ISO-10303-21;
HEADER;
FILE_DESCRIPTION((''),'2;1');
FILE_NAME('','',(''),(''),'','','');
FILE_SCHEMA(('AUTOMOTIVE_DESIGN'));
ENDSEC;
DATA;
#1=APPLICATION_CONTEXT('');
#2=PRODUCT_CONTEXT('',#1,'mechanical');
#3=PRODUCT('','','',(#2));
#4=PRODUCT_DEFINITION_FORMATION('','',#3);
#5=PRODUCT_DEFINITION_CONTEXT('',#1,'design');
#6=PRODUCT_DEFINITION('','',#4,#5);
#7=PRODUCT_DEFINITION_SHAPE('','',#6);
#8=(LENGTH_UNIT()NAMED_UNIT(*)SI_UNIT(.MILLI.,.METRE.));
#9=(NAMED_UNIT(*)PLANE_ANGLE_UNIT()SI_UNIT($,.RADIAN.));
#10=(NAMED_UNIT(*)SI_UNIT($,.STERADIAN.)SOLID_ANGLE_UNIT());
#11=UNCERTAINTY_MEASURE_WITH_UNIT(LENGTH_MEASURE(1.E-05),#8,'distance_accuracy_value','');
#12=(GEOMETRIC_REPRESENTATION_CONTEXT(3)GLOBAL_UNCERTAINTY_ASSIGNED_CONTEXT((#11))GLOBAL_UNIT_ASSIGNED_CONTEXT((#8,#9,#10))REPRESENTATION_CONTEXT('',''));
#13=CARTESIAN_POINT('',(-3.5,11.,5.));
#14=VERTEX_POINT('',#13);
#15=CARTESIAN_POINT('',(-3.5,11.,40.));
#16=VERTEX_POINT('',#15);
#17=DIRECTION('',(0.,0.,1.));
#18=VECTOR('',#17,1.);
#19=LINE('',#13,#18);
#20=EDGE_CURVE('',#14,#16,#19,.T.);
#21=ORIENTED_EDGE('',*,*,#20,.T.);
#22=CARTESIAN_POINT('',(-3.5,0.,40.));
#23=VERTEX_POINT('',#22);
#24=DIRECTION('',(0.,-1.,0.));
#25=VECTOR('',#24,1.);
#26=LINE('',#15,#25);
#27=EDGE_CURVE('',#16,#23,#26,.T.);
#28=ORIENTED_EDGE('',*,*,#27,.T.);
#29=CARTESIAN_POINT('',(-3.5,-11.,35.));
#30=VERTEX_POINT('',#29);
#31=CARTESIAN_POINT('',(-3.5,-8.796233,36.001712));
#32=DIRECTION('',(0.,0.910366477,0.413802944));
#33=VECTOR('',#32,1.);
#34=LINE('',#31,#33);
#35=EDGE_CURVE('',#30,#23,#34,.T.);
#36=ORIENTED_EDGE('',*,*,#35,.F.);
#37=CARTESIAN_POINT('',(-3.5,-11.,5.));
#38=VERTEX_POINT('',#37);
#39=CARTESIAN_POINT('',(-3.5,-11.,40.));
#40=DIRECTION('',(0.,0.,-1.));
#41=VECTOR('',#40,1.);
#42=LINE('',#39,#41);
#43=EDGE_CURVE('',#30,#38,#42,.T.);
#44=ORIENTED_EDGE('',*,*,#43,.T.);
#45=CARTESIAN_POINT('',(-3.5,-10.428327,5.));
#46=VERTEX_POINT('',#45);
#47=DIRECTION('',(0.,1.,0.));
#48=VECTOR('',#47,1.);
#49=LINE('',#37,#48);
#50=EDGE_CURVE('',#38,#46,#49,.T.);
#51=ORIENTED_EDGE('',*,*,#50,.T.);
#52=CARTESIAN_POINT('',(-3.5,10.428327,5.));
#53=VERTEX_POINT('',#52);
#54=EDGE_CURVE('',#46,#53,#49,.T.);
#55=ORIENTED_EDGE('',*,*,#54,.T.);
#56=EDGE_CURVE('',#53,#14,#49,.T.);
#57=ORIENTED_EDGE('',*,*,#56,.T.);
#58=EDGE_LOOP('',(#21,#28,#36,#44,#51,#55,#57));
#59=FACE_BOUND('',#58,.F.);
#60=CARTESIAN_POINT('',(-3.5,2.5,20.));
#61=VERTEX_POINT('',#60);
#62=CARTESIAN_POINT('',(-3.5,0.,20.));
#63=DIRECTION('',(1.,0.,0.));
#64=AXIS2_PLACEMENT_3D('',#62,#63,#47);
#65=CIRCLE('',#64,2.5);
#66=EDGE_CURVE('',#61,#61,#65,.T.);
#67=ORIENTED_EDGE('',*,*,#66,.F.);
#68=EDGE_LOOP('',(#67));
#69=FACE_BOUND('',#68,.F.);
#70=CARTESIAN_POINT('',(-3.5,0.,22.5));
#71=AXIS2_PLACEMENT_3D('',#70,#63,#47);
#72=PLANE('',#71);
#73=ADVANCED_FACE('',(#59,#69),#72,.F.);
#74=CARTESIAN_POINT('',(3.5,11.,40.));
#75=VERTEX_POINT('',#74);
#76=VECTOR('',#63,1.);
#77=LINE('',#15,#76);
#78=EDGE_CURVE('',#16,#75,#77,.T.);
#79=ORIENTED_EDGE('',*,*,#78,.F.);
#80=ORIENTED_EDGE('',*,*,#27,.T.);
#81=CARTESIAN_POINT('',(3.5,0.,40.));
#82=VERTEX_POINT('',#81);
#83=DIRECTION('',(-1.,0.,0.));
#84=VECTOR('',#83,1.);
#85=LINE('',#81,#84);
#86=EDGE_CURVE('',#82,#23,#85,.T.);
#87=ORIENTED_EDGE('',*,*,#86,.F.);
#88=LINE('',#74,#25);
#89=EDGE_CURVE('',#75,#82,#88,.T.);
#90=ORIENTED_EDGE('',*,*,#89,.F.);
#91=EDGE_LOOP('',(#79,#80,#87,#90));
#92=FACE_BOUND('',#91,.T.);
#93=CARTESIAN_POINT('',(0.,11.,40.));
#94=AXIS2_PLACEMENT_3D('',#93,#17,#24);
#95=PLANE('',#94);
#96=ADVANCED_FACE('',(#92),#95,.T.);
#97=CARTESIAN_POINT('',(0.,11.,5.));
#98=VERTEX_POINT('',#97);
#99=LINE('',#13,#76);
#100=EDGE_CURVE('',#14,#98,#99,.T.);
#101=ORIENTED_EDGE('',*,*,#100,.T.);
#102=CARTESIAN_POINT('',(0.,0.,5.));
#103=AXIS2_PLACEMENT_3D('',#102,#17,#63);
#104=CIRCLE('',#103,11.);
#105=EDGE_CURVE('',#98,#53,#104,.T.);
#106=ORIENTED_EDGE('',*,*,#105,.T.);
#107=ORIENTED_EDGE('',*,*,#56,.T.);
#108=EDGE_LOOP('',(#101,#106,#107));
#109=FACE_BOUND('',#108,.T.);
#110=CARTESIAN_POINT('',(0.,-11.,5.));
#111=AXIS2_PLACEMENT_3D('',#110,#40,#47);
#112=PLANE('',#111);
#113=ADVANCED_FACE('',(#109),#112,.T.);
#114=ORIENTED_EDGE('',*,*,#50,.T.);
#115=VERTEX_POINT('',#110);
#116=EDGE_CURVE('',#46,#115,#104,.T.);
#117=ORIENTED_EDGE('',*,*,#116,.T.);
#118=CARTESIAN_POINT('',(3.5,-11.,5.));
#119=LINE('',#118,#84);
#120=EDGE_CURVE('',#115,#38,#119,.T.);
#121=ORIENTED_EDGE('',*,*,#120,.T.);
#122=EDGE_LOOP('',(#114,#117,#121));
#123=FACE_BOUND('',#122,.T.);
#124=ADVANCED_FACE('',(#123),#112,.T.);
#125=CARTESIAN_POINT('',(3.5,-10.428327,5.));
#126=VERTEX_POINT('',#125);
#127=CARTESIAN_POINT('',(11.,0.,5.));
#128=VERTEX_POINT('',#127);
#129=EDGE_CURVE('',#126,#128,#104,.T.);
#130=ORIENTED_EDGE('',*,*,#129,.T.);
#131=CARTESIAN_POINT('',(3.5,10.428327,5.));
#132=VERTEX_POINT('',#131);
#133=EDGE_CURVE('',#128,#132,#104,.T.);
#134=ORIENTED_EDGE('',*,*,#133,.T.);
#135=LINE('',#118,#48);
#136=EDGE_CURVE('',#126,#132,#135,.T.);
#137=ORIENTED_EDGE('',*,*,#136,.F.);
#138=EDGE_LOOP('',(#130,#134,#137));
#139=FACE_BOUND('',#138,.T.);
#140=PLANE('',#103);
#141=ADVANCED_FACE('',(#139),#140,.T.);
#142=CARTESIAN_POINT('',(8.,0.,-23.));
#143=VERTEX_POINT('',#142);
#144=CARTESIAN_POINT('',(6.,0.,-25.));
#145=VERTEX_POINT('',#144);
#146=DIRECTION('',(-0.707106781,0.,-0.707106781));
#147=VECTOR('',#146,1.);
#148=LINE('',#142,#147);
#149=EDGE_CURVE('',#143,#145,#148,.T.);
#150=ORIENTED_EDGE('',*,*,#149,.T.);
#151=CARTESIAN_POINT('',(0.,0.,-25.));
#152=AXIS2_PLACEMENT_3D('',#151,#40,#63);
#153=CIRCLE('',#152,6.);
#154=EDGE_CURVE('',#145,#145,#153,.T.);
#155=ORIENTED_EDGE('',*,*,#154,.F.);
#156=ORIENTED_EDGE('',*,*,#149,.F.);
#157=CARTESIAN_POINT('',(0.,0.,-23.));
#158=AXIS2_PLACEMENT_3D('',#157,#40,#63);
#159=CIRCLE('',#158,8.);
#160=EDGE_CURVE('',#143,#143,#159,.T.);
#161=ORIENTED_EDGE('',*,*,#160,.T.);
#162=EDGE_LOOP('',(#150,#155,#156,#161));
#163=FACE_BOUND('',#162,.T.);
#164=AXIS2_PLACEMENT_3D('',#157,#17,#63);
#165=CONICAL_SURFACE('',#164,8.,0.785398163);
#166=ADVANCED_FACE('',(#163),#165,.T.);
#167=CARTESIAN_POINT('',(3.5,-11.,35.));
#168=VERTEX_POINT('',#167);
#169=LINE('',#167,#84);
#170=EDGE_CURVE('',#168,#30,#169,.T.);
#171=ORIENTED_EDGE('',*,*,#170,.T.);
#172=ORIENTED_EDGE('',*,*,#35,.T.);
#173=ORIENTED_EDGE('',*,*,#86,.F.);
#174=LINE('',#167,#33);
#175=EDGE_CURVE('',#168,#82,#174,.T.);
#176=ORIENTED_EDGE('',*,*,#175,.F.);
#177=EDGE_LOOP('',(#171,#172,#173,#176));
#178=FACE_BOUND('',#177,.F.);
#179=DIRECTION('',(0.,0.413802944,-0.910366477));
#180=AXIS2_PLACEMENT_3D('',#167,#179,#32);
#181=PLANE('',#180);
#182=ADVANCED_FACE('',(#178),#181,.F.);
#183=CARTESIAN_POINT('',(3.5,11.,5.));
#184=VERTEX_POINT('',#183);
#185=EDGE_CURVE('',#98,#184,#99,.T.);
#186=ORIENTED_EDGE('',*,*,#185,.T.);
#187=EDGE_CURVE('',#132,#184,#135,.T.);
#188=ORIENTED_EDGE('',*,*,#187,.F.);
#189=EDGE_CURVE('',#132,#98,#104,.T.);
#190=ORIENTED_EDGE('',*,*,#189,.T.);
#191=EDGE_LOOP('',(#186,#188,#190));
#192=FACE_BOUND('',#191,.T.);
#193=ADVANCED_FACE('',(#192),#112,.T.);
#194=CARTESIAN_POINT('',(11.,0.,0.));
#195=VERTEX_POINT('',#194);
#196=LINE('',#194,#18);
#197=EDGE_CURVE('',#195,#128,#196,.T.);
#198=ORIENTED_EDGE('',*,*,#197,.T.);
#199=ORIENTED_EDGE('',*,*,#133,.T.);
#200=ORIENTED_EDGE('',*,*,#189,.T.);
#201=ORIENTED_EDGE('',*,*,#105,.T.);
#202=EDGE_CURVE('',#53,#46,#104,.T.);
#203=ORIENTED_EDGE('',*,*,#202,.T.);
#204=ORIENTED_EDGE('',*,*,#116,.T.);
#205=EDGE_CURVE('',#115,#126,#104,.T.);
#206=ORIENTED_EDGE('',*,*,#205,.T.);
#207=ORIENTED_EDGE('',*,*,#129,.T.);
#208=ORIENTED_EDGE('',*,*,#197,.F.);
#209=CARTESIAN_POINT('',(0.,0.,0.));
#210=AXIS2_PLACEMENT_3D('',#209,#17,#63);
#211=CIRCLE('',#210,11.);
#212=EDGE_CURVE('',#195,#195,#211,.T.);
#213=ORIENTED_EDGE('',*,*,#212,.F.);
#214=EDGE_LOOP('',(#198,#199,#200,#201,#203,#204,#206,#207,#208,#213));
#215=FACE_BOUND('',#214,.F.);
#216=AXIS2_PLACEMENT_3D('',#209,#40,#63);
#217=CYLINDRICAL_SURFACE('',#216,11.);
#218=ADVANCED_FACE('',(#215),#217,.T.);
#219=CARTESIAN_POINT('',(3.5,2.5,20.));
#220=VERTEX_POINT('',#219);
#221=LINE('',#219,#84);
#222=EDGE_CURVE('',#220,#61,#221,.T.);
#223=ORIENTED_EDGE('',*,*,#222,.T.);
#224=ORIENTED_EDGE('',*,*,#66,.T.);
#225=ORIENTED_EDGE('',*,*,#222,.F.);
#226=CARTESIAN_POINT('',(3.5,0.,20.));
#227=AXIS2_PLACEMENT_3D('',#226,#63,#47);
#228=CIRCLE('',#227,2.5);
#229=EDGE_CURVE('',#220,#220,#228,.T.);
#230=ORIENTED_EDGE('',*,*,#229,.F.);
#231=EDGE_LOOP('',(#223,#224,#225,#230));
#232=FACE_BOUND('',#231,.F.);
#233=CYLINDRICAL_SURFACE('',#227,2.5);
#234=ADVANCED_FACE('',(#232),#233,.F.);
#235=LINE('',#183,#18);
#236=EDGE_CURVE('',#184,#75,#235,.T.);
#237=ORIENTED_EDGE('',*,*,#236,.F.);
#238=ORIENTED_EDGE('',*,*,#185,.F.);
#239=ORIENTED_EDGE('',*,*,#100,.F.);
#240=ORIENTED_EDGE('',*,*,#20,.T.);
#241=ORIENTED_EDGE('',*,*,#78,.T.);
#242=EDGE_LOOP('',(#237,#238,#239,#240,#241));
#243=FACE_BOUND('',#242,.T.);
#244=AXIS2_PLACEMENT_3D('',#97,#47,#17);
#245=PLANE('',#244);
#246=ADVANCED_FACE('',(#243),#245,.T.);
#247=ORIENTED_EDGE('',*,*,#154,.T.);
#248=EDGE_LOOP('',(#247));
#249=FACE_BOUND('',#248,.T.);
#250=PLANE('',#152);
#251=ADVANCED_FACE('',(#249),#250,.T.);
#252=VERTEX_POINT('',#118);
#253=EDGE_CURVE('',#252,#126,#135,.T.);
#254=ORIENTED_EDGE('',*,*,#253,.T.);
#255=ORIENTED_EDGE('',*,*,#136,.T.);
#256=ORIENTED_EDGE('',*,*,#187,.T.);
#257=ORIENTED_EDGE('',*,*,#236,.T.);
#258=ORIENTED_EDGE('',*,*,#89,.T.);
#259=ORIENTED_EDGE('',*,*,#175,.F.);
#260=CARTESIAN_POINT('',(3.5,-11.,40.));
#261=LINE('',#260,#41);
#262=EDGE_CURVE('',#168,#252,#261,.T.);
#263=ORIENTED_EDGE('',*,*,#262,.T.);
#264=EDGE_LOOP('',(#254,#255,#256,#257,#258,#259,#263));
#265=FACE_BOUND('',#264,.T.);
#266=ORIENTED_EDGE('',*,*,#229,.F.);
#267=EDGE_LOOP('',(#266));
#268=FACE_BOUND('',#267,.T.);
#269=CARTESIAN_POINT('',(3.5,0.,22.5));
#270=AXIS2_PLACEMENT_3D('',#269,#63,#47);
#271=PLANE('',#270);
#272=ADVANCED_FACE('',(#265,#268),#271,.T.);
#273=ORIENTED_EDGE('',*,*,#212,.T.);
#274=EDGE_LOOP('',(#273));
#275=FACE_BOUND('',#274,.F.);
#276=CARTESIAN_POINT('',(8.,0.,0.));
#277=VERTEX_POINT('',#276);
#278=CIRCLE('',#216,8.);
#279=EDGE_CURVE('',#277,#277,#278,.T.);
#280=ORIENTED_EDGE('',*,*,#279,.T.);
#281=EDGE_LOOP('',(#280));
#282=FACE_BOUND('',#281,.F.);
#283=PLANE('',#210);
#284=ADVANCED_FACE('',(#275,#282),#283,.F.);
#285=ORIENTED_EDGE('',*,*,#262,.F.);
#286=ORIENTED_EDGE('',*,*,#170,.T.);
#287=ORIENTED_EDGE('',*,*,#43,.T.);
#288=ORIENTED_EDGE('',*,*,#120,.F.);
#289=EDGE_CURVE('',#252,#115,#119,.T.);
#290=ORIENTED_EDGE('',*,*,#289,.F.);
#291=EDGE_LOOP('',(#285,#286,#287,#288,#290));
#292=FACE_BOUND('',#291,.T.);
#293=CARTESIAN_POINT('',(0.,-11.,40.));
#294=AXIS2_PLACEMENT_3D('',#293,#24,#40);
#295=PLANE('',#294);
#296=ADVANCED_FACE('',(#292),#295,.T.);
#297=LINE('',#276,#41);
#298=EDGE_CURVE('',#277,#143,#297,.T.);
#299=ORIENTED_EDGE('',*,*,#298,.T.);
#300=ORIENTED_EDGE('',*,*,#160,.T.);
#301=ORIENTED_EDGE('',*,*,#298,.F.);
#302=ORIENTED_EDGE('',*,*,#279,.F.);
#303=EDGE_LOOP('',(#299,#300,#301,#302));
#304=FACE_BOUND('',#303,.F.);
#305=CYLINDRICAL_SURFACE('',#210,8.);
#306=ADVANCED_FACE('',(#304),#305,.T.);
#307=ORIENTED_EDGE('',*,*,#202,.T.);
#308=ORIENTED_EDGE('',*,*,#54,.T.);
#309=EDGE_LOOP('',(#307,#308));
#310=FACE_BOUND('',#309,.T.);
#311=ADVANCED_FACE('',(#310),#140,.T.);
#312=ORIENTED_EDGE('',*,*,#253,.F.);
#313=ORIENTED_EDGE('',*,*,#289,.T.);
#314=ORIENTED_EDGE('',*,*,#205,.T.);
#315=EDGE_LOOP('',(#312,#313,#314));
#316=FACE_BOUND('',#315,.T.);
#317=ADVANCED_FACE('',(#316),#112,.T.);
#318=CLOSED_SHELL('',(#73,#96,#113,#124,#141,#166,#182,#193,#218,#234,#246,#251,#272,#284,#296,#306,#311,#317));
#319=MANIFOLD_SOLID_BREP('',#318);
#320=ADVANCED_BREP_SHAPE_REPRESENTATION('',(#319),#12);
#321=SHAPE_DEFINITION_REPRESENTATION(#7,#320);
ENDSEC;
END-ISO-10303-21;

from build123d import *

# Parameters (mm, degrees)
F0_R     = 11
F1_DEPTH = 5
F3_DEPTH = 3.5
F5_DEPTH = 14.501
F6_R     = 2.5
F7_DEPTH = 14.501
F8_R     = 8
F9_DEPTH = 25
F10_SIZE = 2


with BuildPart() as f1:
    # F0 (on Top) → F1 (new body)
    with BuildSketch(Plane.XY):
        Circle(F0_R)
    extrude(amount=F1_DEPTH)

    # F2 (on Right) → F3 (join, symmetric)
    with BuildSketch(Plane.YZ):
        Polygon((-11, 5), (0, 5), (11, 5), (11, 40), (-11, 40), align=None)
    extrude(amount=F3_DEPTH, both=True)

    # F4 (on face) → F5 (cut, through all)
    with BuildSketch(Plane.YZ.offset(3.5)):
        Polygon((-11, 35), (0, 40), (-11, 40), align=None)
    extrude(amount=-F5_DEPTH, mode=Mode.SUBTRACT)

    # F6 (on face) → F7 (cut, through all)
    with BuildSketch(Plane.YZ.offset(3.5)):
        with Locations((0, 20)):
            Circle(F6_R)
    extrude(amount=-F7_DEPTH, mode=Mode.SUBTRACT)

    # F8 (on face) → F9 (join)
    with BuildSketch(Plane(origin=(0, 0, 0), x_dir=(1, 0, 0), z_dir=(0, 0, -1))):
        Circle(F8_R)
    extrude(amount=F9_DEPTH)

    # F10
    f10_edges = [f1.edges().sort_by_distance(p)[0] for p in [
        (-8, 0, -25),
    ]]
    chamfer(f10_edges, length=F10_SIZE)


solid = f1.part
